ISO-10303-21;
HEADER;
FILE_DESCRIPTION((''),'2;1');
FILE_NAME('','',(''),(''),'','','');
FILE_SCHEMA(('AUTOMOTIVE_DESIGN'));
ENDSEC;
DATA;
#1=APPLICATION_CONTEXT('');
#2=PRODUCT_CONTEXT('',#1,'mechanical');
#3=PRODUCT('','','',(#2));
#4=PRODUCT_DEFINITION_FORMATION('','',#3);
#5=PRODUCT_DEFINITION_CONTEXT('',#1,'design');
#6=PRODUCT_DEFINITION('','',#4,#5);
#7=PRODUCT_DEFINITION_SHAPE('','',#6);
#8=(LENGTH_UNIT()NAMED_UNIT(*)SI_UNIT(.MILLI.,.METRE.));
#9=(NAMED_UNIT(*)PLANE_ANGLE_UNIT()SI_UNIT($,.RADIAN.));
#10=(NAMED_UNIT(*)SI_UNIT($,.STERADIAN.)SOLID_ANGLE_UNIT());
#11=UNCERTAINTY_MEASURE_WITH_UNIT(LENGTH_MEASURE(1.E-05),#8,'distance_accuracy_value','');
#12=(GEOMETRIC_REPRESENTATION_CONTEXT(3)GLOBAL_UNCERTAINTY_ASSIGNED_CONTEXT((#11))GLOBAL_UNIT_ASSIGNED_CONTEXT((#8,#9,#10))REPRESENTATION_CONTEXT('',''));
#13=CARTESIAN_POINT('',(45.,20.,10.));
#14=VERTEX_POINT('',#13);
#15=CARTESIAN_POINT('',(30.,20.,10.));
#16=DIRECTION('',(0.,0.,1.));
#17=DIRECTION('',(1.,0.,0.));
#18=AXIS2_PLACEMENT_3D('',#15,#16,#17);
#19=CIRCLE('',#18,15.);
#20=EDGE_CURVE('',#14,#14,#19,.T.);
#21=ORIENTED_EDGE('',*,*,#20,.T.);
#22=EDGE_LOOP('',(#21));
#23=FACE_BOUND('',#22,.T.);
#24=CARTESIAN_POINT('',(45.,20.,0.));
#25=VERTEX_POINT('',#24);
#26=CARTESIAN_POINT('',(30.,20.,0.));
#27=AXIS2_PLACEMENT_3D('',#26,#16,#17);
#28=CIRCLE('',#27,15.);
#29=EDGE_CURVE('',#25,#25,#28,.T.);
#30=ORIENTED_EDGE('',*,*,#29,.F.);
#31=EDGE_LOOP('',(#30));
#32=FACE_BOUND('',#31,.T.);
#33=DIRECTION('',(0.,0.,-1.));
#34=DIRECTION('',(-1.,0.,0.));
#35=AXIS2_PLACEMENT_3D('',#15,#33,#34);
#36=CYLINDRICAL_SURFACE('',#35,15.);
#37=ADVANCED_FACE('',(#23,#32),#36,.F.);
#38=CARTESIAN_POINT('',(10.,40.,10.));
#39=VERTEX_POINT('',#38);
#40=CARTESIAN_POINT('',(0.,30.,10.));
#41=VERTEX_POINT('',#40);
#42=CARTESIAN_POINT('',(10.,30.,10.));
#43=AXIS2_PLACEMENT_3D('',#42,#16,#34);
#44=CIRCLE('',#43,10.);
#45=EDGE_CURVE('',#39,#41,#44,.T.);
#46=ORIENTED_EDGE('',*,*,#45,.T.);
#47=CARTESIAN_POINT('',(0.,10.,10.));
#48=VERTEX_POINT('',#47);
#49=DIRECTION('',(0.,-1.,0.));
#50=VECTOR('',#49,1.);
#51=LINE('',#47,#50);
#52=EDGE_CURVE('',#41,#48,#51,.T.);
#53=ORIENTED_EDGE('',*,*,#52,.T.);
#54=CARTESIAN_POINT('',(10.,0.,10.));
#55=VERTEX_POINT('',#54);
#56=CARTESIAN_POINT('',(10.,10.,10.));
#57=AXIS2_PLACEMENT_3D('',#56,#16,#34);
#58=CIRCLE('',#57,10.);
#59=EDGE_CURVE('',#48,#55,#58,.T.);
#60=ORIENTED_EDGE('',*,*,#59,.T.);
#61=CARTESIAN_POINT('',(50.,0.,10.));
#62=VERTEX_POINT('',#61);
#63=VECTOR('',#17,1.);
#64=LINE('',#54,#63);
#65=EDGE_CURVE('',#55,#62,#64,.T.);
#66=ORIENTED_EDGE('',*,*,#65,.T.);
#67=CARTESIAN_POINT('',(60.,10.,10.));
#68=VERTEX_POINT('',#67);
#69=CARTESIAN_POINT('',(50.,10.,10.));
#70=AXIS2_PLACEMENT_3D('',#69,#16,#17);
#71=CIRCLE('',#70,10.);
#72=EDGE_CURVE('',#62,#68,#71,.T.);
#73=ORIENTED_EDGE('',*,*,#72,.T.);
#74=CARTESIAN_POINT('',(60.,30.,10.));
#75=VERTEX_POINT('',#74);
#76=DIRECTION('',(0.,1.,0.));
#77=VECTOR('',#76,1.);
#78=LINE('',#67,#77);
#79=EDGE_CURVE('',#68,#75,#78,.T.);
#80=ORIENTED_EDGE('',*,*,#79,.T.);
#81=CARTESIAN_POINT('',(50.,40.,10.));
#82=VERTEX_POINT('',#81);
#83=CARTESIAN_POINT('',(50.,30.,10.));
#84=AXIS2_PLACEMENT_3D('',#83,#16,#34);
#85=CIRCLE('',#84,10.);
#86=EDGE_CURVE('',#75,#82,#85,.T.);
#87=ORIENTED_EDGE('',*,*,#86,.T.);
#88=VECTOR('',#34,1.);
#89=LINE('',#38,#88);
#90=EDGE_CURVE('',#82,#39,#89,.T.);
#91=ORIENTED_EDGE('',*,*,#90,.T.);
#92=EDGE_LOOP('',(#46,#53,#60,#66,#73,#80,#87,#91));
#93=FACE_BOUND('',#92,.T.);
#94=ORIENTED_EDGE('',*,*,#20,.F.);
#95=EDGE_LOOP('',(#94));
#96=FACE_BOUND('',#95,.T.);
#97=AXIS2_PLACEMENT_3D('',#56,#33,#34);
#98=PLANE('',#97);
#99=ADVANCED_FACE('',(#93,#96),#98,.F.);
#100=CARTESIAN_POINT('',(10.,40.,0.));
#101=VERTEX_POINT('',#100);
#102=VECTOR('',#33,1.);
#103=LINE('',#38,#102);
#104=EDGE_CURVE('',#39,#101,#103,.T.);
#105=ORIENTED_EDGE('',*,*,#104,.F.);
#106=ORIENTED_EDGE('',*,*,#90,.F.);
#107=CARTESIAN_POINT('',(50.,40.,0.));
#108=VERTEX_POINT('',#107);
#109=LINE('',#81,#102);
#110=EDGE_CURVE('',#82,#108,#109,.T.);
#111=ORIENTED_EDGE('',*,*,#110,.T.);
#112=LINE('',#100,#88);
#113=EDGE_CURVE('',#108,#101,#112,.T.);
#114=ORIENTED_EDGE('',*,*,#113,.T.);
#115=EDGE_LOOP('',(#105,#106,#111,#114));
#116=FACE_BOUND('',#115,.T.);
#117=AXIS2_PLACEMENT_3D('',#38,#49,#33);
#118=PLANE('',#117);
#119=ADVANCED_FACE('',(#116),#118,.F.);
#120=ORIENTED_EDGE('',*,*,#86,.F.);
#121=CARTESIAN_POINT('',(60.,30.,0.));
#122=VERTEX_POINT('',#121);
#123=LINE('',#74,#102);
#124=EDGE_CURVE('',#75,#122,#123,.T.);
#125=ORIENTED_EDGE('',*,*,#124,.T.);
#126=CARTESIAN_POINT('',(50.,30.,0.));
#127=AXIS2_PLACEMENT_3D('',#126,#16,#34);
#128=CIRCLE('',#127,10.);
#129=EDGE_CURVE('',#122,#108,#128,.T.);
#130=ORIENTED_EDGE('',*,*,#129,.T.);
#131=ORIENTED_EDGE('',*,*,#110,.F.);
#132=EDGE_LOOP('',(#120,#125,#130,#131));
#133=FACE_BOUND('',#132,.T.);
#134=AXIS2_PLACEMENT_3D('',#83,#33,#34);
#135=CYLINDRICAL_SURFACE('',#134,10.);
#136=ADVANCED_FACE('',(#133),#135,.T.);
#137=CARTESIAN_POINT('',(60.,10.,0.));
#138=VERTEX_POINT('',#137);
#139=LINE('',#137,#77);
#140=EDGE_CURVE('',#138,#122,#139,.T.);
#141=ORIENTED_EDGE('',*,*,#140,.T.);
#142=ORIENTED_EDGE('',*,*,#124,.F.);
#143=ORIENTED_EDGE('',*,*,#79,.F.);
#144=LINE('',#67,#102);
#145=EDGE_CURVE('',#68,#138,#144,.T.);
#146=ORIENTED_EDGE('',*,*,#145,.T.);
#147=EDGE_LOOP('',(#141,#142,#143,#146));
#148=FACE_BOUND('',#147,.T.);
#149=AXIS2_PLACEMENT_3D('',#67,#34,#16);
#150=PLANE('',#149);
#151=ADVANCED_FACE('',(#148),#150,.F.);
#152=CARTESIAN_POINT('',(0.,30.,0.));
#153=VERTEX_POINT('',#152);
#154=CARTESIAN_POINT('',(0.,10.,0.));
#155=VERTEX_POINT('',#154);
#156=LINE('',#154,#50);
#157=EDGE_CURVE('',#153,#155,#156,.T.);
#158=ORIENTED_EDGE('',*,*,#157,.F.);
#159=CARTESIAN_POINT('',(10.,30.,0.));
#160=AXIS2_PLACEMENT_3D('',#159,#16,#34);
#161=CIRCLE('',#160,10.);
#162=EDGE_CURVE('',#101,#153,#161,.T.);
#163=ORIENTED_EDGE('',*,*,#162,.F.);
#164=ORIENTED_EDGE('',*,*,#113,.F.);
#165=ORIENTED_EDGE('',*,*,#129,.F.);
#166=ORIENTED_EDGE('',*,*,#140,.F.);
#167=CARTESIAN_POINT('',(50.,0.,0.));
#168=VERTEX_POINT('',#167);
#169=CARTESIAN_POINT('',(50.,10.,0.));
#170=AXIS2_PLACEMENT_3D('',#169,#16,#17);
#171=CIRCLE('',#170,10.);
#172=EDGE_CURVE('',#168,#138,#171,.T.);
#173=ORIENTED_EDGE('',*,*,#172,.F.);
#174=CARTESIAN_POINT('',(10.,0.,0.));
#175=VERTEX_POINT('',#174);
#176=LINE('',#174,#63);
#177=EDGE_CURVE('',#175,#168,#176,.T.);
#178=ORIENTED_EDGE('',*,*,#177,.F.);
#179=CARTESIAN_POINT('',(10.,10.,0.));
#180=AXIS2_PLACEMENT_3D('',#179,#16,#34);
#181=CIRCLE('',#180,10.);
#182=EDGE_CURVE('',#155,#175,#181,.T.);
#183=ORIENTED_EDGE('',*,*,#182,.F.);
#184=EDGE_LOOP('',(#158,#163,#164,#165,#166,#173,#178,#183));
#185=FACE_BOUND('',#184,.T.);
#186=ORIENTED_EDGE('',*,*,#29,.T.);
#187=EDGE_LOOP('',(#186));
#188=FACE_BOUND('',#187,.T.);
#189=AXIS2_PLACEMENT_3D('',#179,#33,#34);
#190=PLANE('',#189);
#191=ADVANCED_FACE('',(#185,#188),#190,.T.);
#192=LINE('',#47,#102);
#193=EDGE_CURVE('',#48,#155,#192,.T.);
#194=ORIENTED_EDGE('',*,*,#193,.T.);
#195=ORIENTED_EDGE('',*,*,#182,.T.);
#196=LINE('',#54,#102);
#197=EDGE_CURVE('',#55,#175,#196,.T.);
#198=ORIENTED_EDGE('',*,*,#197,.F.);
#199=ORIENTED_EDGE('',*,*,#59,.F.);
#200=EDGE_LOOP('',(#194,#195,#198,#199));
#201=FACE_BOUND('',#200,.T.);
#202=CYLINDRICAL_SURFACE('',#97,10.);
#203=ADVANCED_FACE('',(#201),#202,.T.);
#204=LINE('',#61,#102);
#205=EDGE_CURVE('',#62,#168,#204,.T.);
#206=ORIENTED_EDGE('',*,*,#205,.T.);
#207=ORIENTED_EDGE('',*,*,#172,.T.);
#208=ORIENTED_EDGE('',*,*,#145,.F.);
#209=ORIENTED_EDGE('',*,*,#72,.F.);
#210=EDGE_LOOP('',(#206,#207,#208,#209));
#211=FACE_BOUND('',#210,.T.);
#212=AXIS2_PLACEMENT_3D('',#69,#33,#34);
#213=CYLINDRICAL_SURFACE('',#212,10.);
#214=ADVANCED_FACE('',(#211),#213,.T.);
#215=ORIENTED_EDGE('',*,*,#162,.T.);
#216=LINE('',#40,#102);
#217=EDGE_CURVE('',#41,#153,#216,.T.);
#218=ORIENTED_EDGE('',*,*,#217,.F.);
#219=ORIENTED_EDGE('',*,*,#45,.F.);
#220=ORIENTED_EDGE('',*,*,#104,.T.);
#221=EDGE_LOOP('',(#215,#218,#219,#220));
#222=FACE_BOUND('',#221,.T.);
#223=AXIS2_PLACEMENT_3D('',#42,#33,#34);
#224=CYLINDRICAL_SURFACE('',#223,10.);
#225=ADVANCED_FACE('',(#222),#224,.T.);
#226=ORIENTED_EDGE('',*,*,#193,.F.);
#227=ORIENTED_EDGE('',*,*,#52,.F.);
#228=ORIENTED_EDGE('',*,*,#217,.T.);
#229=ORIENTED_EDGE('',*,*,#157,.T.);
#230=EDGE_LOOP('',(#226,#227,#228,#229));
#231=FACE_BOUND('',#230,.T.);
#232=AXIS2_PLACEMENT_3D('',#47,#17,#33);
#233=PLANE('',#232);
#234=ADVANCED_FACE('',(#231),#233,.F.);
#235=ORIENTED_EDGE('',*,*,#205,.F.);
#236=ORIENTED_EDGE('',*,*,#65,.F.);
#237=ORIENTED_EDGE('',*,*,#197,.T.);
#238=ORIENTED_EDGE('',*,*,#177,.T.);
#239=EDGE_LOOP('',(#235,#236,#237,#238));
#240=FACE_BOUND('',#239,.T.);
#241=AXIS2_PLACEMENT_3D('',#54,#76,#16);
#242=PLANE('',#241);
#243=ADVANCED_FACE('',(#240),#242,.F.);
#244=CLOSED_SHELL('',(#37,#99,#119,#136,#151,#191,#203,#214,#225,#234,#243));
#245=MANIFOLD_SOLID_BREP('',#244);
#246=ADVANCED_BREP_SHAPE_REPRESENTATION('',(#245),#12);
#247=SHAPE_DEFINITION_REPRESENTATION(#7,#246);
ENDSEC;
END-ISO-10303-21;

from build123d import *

# Parameters (mm, degrees)
SKETCH_1_R      = 15
EXTRUDE_1_DEPTH = 10


with BuildPart() as part:
    # Эскиз1 → Бобышка-Вытянуть1 (new body)
    with BuildSketch(Plane.XY):
        with BuildLine():
            Line((10, 0), (50, 0))
            ThreePointArc((50, 0), (57.071067812, 2.928932188), (60, 10))
            Line((60, 10), (60, 30))
            ThreePointArc((60, 30), (57.071067812, 37.071067812), (50, 40))
            Line((50, 40), (10, 40))
            ThreePointArc((10, 40), (2.928932188, 37.071067812), (0, 30))
            Line((0, 30), (0, 10))
            ThreePointArc((0, 10), (2.928932188, 2.928932188), (10, 0))
        make_face()
        with Locations((30, 20)):
            Circle(SKETCH_1_R, mode=Mode.SUBTRACT)
    extrude(amount=EXTRUDE_1_DEPTH)


solid = part.part
